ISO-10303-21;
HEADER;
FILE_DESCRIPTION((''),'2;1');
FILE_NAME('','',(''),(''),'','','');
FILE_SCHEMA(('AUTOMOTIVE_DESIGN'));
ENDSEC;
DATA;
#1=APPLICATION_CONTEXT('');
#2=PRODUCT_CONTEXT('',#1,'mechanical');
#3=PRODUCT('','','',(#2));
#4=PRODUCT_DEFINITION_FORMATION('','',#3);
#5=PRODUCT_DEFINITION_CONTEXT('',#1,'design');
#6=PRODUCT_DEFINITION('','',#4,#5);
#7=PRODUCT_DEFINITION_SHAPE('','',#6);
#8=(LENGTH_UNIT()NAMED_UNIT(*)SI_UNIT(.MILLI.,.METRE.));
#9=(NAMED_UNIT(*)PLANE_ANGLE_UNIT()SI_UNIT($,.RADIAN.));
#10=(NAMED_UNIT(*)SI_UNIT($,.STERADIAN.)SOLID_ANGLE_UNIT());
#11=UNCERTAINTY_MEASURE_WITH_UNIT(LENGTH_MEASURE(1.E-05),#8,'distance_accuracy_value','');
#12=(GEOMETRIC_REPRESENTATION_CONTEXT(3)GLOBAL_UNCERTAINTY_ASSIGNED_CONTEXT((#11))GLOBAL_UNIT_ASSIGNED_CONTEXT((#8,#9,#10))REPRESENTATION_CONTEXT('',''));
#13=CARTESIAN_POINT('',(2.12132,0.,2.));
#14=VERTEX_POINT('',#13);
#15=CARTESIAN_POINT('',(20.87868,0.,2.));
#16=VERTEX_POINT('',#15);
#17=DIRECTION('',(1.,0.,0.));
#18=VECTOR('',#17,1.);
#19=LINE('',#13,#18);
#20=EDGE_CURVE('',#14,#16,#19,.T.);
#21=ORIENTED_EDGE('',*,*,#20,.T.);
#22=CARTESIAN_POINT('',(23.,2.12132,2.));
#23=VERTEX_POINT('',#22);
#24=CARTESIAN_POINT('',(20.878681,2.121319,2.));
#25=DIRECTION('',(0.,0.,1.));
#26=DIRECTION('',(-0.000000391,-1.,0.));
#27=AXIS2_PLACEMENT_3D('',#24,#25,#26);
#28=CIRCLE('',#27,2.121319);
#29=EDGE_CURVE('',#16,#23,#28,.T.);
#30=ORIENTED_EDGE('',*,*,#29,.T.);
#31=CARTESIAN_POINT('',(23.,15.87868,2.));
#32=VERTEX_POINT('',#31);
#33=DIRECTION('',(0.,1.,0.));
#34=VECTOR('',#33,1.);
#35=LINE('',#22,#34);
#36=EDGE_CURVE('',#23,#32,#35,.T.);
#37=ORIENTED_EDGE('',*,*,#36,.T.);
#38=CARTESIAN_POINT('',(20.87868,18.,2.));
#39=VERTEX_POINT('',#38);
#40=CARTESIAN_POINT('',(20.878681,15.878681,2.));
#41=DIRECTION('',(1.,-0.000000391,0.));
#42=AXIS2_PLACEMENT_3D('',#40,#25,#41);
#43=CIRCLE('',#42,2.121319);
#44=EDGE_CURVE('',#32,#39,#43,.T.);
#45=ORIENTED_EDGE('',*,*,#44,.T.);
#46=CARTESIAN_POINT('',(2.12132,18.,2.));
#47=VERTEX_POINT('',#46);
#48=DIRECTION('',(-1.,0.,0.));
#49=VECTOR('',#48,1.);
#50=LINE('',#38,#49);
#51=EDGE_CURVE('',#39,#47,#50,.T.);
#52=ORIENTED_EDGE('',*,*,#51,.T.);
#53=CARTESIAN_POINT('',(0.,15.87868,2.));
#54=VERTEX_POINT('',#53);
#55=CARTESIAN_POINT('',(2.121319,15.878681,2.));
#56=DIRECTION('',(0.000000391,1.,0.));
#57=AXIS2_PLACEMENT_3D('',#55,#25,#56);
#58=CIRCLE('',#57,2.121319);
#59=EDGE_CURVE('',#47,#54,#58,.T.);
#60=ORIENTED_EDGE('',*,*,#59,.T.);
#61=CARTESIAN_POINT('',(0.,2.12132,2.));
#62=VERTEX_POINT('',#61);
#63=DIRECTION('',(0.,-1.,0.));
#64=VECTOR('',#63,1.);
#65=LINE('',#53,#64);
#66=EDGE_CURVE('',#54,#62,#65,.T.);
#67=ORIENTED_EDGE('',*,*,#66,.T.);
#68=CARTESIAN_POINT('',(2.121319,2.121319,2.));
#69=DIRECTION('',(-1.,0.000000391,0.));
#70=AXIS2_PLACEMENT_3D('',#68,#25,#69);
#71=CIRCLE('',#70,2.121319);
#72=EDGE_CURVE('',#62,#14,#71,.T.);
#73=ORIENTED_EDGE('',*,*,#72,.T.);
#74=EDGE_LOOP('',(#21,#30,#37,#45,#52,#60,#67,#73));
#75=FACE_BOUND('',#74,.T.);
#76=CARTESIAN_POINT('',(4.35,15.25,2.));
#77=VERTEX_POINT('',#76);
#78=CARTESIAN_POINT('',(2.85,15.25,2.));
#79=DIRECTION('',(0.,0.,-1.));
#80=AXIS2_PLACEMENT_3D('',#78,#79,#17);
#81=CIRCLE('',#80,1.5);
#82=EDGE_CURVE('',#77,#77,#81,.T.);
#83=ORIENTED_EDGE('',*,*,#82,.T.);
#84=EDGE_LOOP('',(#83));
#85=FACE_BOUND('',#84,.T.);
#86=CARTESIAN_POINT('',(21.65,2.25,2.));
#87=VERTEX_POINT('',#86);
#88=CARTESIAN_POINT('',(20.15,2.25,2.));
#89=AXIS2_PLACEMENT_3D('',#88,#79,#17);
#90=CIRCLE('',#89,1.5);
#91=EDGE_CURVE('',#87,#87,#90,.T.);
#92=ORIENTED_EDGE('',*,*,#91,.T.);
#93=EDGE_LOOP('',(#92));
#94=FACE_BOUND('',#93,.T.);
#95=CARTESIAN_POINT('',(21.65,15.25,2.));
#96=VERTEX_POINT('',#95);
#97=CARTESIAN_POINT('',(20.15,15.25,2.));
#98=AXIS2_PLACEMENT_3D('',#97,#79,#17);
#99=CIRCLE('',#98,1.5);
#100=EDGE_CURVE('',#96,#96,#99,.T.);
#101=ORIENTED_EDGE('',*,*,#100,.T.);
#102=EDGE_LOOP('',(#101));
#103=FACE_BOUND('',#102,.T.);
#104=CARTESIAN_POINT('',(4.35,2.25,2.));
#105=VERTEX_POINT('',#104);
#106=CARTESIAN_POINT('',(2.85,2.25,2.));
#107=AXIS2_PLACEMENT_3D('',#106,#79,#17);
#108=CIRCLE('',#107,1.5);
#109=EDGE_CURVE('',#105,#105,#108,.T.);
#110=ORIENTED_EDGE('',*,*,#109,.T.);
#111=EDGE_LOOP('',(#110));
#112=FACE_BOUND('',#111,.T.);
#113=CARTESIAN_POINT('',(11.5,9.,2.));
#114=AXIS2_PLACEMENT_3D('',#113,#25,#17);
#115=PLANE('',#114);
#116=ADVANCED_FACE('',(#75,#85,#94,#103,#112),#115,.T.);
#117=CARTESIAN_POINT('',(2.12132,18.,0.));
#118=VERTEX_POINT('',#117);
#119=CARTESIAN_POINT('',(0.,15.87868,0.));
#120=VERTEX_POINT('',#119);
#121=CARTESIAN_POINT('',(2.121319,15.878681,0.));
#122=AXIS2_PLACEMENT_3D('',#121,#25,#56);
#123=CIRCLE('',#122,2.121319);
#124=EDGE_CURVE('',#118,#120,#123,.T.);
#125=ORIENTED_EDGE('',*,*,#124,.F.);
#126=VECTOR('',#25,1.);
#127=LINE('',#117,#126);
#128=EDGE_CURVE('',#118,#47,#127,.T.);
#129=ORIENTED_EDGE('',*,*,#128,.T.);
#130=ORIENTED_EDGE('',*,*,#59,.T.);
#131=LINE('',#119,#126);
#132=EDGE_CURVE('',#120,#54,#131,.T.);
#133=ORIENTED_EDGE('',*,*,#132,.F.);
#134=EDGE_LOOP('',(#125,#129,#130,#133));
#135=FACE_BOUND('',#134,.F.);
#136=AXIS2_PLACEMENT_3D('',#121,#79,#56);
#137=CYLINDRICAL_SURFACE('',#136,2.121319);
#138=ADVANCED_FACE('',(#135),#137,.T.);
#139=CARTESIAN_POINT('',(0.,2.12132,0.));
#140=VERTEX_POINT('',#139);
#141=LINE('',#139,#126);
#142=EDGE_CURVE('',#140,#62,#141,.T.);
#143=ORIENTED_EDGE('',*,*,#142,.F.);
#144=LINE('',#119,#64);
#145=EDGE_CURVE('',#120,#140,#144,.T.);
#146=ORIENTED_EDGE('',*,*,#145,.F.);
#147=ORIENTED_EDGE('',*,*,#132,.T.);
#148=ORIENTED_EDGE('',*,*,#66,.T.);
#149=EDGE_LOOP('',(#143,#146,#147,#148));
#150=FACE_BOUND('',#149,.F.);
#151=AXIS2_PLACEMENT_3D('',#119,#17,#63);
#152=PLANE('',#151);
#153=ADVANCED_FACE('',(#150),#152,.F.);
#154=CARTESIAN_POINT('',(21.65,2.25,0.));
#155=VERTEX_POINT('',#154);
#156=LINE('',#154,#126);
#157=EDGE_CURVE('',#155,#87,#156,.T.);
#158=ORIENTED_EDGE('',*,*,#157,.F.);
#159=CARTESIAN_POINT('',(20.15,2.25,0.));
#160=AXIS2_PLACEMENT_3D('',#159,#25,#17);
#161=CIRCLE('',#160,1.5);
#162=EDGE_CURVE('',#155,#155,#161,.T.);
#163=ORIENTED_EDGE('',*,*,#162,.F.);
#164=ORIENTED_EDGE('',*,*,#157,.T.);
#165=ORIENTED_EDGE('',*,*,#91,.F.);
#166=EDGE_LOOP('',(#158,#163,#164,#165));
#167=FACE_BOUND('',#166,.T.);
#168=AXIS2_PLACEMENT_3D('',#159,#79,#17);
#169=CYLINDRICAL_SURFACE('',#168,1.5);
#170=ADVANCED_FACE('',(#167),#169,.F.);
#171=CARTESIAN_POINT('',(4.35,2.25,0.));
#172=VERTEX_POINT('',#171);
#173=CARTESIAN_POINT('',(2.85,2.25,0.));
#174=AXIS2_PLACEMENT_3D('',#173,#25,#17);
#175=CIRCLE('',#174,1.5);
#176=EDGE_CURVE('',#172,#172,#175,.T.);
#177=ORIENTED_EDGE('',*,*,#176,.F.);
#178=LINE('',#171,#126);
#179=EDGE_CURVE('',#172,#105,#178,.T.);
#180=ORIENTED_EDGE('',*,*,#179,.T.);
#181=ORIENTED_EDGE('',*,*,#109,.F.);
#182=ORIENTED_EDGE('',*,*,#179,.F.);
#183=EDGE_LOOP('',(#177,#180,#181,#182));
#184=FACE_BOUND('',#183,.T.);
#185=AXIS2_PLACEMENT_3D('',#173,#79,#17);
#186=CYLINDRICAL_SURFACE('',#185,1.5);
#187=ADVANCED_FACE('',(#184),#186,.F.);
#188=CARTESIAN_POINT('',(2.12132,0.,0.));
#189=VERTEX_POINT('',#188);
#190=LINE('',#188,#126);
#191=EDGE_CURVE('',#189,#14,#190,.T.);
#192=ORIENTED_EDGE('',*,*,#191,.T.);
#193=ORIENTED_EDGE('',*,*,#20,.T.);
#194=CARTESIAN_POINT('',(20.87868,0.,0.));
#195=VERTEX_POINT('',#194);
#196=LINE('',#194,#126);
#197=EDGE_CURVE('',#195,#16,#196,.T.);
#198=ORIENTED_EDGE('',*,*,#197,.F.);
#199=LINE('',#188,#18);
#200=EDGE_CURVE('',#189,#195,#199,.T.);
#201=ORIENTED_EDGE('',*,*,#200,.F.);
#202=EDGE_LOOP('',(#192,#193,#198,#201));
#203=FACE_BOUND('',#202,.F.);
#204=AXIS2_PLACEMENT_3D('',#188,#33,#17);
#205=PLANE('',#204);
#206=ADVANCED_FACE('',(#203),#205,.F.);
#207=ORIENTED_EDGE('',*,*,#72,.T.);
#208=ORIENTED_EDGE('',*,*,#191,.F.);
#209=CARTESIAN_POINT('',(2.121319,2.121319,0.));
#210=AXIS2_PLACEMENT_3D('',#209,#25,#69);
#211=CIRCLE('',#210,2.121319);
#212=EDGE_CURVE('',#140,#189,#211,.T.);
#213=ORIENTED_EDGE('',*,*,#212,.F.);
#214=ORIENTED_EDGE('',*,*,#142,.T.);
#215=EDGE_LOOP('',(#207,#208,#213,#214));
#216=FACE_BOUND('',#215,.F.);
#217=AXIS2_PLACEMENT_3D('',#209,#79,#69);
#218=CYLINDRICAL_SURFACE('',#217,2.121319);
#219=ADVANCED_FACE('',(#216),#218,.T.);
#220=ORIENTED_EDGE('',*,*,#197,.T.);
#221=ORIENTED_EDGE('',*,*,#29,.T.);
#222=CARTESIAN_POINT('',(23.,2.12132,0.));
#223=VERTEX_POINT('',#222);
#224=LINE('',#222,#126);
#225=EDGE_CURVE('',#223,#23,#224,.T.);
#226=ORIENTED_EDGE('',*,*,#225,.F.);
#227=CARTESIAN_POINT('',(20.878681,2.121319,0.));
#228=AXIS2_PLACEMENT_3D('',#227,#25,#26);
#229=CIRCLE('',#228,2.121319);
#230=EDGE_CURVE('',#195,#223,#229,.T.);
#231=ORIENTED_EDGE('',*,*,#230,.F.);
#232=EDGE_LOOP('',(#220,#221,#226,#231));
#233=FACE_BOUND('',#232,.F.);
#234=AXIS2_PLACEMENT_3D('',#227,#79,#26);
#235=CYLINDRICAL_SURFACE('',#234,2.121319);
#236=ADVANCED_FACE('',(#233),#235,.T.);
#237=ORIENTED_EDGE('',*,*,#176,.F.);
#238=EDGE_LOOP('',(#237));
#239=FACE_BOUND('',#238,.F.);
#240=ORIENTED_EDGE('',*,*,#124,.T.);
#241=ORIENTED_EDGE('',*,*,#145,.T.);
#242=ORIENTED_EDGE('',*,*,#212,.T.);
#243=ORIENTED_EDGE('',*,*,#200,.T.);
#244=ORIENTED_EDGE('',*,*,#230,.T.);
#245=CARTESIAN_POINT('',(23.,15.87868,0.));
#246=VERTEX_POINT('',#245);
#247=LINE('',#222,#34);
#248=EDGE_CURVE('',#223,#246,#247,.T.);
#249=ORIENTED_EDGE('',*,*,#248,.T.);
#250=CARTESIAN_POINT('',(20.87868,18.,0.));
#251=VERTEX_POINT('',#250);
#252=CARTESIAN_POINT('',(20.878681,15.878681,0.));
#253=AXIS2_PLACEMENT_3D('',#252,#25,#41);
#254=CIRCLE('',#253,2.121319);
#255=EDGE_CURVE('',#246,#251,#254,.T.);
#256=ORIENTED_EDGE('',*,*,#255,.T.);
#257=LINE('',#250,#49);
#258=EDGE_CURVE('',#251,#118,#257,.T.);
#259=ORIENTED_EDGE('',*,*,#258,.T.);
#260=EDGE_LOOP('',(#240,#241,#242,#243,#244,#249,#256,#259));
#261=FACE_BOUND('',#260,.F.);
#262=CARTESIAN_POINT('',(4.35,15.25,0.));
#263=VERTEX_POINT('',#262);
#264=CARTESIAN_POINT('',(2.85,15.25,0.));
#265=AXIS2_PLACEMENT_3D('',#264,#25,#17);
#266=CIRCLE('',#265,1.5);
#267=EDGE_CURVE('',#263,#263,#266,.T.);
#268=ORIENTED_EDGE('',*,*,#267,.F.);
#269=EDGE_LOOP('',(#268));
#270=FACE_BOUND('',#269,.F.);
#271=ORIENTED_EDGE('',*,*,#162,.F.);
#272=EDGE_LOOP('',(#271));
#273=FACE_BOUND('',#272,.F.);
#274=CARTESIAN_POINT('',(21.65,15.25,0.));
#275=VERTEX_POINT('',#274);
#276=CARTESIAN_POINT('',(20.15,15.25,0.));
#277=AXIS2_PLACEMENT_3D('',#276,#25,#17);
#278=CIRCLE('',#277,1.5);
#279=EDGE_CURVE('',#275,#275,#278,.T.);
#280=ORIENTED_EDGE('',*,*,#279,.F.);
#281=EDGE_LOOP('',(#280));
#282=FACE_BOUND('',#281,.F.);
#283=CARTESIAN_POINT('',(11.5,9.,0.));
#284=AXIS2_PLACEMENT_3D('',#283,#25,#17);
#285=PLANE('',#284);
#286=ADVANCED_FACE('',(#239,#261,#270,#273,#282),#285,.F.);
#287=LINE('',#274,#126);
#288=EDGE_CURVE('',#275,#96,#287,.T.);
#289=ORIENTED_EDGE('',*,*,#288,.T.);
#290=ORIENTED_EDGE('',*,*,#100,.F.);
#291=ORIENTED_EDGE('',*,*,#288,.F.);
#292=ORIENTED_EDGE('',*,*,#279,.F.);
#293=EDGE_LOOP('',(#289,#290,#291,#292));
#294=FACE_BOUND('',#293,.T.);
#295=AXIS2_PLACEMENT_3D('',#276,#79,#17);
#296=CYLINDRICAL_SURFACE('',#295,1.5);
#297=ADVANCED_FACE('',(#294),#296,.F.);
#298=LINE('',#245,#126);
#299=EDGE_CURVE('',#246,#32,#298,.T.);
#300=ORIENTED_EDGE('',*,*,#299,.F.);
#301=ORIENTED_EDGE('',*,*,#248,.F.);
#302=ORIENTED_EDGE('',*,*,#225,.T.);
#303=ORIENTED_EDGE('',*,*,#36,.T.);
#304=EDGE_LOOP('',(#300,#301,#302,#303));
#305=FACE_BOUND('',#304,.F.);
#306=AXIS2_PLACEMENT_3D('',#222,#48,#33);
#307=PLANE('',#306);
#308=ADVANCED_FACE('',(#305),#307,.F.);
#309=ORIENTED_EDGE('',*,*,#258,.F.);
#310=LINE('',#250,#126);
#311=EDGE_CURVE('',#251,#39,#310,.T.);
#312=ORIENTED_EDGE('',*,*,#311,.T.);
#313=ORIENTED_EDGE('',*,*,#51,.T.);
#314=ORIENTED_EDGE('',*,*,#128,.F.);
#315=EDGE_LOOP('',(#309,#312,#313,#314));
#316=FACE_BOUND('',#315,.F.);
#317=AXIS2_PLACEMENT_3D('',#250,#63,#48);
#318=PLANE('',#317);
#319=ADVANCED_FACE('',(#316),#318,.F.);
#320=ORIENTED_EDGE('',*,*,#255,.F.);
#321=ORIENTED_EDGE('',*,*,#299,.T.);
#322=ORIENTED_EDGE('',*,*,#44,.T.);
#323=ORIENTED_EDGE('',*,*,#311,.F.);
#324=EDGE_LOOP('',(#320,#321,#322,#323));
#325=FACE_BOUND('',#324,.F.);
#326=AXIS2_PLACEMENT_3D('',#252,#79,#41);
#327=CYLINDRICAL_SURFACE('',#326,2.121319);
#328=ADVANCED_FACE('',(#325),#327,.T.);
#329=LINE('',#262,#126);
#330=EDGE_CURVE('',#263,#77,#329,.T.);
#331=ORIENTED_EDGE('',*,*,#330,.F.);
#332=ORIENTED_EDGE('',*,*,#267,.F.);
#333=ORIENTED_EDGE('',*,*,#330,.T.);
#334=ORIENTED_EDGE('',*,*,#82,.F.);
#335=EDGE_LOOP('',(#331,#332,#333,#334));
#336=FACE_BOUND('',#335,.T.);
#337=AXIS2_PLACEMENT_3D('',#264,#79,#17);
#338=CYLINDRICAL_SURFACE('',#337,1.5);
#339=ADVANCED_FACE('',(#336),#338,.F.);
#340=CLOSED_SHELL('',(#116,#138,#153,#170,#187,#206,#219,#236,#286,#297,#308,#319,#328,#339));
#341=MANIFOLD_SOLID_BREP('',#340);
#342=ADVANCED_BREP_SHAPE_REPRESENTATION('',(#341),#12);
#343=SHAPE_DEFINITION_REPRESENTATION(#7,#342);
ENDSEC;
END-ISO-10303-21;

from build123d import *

# Parameters (mm, degrees)
PAD_DEPTH    = 2
SKETCH001_R  = 1.5
POCKET_DEPTH = 2.001


with BuildPart() as part:
    # Sketch → Pad (new body)
    with BuildSketch(Plane.XY):
        with BuildLine():
            Line((0, 15.87868), (0, 2.12132))
            ThreePointArc((0, 2.12132), (0.62132, 0.62132), (2.12132, 0))
            Line((2.12132, 0), (20.87868, 0))
            ThreePointArc((20.87868, 0), (22.37868, 0.62132), (23, 2.12132))
            Line((23, 2.12132), (23, 15.87868))
            ThreePointArc((23, 15.87868), (22.37868, 17.37868), (20.87868, 18))
            Line((20.87868, 18), (2.12132, 18))
            ThreePointArc((2.12132, 18), (0.62132, 17.37868), (0, 15.87868))
        make_face()
    extrude(amount=PAD_DEPTH)

    # Sketch001 → Pocket (cut, through all)
    with BuildSketch(Plane.XY):
        with Locations((20.15, 15.25)):
            Circle(SKETCH001_R)
        with Locations((2.85, 15.25)):
            Circle(SKETCH001_R)
        with Locations((2.85, 2.25)):
            Circle(SKETCH001_R)
        with Locations((20.15, 2.25)):
            Circle(SKETCH001_R)
    extrude(amount=POCKET_DEPTH, mode=Mode.SUBTRACT)


solid = part.part
